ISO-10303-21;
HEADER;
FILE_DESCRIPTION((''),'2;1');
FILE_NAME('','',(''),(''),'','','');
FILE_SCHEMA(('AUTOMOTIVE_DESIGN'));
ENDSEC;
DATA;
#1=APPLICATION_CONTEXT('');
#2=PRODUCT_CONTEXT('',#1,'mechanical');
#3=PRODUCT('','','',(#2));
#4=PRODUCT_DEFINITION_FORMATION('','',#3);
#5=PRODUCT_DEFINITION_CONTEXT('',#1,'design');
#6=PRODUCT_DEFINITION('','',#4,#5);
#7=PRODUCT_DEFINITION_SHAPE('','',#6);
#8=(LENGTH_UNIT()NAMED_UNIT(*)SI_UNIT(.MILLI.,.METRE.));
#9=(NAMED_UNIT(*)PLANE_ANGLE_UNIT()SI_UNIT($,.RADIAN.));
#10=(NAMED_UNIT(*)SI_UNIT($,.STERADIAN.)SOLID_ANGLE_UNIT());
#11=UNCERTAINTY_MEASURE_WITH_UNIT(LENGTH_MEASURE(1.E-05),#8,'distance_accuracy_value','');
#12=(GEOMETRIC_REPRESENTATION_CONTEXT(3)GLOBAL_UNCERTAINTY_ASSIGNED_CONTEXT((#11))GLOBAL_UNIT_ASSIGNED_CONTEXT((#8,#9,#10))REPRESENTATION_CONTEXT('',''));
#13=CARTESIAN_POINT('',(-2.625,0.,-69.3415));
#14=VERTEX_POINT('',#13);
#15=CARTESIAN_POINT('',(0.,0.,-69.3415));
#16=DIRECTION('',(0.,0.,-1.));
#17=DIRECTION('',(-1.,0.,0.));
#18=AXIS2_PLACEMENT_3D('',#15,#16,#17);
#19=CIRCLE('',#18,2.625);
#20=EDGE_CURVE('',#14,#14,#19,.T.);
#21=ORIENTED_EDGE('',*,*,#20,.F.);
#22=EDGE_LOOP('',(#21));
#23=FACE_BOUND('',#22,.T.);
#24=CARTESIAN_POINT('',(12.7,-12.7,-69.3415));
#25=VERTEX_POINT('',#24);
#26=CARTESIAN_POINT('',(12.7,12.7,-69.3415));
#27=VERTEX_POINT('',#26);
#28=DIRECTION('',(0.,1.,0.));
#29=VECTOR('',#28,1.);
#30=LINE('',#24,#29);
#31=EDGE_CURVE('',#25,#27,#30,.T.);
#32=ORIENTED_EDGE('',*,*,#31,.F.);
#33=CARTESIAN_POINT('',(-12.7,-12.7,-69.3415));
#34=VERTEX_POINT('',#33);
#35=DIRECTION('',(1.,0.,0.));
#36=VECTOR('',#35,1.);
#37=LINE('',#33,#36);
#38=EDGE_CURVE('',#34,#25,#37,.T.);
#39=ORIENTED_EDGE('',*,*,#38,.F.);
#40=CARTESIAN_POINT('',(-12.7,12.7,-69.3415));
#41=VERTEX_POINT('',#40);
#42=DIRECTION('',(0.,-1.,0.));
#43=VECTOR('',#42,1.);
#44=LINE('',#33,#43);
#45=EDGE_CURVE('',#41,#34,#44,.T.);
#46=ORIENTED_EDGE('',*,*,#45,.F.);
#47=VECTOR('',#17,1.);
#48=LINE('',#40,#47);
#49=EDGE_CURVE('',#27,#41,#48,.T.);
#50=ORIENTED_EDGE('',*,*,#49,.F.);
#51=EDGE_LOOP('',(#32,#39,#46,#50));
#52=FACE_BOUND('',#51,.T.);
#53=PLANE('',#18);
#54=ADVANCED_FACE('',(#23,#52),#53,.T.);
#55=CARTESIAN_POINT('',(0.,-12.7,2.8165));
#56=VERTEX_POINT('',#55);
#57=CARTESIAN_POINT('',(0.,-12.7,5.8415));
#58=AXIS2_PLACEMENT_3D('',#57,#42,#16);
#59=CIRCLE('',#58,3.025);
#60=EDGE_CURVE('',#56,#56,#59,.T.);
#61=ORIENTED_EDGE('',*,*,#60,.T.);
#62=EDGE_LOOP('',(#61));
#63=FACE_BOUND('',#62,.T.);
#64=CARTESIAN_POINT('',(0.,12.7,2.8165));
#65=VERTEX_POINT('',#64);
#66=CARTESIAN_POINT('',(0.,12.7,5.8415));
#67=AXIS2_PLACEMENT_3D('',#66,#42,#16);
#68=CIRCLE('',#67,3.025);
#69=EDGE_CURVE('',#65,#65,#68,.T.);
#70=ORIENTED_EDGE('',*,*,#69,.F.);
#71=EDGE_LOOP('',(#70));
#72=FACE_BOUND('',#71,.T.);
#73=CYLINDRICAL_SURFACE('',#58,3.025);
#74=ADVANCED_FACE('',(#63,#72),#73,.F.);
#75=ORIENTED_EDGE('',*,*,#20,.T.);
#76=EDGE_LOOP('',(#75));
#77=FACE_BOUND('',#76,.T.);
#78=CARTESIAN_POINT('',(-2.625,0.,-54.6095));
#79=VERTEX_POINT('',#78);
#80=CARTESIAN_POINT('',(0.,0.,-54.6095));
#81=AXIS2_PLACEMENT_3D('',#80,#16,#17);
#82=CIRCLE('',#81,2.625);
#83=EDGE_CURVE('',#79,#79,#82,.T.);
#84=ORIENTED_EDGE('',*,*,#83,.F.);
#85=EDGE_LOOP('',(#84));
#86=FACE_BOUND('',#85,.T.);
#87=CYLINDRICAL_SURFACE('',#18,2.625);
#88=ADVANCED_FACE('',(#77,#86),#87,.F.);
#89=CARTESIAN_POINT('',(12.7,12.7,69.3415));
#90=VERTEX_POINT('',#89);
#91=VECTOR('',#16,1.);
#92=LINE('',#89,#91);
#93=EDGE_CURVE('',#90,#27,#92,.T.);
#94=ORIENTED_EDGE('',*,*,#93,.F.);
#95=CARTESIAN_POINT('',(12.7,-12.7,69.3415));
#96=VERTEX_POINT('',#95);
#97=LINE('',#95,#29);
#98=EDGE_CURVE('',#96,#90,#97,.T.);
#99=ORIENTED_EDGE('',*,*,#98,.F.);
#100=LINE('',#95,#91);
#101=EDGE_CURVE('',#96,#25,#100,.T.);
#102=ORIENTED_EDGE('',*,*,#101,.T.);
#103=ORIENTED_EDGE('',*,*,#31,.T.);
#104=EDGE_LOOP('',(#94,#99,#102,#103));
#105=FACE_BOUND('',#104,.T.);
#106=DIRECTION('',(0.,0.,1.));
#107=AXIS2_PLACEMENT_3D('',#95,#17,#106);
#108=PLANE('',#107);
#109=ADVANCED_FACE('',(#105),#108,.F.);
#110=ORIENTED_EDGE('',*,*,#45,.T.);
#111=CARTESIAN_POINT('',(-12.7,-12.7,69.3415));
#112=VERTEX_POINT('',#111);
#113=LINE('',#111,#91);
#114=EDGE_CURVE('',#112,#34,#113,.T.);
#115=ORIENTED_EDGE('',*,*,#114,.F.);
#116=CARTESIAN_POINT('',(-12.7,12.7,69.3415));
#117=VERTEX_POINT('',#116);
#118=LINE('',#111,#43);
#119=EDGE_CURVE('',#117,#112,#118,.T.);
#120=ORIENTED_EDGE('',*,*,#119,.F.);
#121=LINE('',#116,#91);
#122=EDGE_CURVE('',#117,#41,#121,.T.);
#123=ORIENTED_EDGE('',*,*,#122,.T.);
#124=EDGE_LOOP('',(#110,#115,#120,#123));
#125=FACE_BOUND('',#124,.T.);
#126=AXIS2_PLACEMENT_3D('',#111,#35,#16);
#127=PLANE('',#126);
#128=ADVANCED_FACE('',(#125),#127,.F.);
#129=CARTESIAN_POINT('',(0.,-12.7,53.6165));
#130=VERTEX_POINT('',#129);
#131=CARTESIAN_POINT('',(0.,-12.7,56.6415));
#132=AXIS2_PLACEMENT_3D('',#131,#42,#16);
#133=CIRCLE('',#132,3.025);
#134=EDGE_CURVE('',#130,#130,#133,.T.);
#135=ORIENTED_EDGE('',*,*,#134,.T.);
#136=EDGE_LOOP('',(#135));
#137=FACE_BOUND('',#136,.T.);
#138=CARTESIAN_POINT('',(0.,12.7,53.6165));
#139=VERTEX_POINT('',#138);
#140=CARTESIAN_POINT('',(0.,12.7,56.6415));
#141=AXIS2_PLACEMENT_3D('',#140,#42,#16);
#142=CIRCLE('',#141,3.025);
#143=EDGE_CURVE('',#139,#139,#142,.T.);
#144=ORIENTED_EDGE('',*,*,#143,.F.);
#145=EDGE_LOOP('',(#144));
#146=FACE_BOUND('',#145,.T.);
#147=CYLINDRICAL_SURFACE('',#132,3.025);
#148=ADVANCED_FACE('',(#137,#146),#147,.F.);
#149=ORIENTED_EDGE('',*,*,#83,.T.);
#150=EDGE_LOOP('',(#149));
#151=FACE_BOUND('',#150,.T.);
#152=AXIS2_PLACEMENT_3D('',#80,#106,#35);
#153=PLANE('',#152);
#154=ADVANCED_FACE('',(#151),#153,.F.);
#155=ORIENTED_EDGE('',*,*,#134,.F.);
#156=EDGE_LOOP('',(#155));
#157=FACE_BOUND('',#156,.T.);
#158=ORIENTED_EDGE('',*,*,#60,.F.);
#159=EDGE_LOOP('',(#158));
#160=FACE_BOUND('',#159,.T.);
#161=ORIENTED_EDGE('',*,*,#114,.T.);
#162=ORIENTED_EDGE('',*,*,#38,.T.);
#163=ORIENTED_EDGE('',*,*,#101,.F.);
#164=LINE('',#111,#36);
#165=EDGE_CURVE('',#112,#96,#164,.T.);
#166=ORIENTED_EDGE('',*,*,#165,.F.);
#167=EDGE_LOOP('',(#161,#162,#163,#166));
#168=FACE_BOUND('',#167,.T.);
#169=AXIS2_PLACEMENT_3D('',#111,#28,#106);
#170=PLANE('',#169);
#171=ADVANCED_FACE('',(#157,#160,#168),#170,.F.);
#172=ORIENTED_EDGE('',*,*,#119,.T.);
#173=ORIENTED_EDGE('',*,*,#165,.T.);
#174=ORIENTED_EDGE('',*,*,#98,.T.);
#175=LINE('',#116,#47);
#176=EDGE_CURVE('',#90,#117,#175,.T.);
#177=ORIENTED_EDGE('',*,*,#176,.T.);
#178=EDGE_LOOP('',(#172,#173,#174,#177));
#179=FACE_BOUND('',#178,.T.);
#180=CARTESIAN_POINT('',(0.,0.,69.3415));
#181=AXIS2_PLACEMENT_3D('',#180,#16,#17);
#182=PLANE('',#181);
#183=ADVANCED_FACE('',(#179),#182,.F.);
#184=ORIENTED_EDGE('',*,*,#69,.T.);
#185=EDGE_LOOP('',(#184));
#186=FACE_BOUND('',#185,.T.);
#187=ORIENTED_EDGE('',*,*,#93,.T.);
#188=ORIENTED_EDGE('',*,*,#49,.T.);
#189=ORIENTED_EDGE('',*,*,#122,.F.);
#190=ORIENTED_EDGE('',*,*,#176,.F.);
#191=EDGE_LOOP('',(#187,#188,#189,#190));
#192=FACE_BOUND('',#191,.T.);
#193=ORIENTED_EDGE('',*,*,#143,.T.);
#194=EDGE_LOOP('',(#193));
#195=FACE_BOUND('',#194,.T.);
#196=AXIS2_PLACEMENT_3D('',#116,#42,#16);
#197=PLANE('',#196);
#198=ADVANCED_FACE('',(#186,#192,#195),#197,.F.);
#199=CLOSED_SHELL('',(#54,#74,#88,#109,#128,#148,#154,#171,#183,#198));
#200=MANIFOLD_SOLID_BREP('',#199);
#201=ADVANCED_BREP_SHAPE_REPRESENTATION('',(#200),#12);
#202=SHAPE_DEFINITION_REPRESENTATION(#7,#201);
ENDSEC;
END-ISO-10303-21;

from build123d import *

# Parameters (mm, degrees)
SKETCH1_W                        = 25.4
SKETCH1_H                        = 25.4
BOSS_EXTRUDE1_DEPTH              = 69.341499747
F_6_05_6_05_DIAMETER_HOLE1_D     = 6.05
TAP_DRILL_FOR_M6X0_75_TAP1_D     = 5.25
TAP_DRILL_FOR_M6X0_75_TAP1_DEPTH = 14.732


with BuildPart() as part:
    # Sketch1 → Boss-Extrude1 (new body, symmetric)
    with BuildSketch(Plane.XY):
        Rectangle(SKETCH1_W, SKETCH1_H)
    extrude(amount=BOSS_EXTRUDE1_DEPTH, both=True)

    # Ø6.05 (6.05) Diameter Hole1 (through all)
    with Locations(Plane(origin=(0, -12.7, 0), x_dir=(-1, 0, 0), z_dir=(0, -1, 0))):
        with Locations((0, -5.841499747), (0, -56.641499747)):
            Hole(F_6_05_6_05_DIAMETER_HOLE1_D / 2)

    # Tap Drill for M6x0.75 Tap1
    with Locations(Plane(origin=(0, 0, -69.341499747), x_dir=(-1, 0, 0), z_dir=(0, 0, -1))):
        with Locations((0, 0)):
            Hole(TAP_DRILL_FOR_M6X0_75_TAP1_D / 2, depth=TAP_DRILL_FOR_M6X0_75_TAP1_DEPTH)


solid = part.part
